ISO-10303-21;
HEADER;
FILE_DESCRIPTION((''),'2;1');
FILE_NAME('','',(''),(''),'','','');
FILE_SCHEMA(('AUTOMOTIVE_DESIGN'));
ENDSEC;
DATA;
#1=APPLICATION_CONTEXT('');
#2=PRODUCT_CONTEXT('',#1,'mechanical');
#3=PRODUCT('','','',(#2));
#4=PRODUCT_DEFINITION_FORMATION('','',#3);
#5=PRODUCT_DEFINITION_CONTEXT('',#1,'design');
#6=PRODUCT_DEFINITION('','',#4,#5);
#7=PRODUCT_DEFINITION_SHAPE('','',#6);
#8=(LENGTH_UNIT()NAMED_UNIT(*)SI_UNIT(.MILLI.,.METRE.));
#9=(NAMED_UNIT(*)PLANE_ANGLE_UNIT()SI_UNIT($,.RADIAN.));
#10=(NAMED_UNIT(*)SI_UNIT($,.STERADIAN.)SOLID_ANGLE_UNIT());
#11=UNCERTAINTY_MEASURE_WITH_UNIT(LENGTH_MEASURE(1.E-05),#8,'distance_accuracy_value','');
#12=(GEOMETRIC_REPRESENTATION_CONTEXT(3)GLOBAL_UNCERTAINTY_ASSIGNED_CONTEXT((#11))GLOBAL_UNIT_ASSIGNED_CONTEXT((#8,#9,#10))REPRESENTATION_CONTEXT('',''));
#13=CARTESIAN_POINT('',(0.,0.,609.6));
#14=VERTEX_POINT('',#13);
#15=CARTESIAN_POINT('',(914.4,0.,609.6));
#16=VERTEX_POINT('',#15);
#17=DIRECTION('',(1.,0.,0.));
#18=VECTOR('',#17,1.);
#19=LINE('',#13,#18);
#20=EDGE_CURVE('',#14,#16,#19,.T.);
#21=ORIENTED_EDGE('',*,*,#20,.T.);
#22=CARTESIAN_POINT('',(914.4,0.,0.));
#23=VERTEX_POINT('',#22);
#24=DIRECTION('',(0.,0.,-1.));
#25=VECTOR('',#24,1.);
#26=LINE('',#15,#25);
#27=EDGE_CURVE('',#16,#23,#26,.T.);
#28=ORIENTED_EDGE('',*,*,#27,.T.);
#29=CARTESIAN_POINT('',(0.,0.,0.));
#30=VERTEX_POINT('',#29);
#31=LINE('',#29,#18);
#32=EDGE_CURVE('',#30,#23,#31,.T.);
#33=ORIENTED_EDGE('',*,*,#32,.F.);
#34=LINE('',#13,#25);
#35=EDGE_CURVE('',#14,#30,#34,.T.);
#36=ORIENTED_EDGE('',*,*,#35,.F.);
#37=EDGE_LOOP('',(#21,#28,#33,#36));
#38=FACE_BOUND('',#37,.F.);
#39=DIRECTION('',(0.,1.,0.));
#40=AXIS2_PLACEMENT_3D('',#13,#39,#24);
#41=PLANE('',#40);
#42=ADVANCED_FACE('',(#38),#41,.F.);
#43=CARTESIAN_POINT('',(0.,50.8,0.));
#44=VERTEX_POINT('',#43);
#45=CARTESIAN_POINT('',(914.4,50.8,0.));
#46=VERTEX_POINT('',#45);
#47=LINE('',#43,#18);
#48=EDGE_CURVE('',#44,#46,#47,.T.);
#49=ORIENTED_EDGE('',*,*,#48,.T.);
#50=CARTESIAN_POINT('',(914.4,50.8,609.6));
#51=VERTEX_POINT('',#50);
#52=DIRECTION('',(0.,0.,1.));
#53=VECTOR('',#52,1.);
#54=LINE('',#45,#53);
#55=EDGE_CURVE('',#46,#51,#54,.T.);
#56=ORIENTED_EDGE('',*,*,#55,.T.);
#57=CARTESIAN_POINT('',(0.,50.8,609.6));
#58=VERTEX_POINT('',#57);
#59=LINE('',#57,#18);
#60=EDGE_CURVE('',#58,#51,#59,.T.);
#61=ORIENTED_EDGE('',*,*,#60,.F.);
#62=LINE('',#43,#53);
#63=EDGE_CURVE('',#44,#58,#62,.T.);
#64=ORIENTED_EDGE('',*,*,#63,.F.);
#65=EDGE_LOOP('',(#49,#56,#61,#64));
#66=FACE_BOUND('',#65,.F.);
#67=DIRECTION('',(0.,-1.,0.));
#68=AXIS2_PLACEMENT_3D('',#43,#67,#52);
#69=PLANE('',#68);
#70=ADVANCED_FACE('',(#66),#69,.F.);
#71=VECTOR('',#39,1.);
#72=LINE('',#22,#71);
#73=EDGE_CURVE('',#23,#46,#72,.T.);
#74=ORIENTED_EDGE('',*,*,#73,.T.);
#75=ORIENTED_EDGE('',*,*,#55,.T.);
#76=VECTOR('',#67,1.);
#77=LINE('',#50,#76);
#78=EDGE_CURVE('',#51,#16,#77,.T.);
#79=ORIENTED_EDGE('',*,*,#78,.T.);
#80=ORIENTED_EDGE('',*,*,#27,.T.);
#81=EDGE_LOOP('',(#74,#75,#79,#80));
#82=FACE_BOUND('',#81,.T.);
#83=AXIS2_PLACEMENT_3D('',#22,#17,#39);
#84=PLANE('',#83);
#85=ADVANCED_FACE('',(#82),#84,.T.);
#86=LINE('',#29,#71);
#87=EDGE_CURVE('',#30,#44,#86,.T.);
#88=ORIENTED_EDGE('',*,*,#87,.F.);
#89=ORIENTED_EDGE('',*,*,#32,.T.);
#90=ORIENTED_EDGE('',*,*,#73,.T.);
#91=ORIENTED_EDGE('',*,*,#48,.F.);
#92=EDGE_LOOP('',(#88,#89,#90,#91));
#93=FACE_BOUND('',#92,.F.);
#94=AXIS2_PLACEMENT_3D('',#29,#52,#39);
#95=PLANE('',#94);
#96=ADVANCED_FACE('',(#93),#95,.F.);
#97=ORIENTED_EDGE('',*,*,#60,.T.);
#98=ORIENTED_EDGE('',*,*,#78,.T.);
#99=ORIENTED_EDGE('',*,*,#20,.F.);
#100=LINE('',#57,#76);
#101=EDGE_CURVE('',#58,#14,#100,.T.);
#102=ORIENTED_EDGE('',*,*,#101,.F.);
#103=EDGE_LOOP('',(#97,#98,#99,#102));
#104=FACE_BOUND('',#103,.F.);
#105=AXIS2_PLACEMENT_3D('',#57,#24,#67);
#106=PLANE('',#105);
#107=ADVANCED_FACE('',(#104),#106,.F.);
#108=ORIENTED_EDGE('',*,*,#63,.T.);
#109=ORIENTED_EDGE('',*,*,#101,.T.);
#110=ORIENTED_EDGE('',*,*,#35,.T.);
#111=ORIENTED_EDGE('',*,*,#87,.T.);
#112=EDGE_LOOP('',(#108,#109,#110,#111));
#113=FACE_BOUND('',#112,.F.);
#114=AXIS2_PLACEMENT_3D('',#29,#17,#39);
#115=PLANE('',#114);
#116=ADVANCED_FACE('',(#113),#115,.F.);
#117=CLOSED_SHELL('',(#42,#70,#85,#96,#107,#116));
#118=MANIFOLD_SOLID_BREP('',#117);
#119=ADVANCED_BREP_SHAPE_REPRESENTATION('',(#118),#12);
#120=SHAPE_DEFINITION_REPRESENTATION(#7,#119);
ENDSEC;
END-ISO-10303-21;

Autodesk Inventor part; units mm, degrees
ref_plane "YZ Plane" through (0, 0, 0) normal (1, 0, 0) x (0, 1, 0)
ref_plane "XZ Plane" through (0, 0, 0) normal (0, 1, 0) x (-1, 0, 0)
ref_plane "XY Plane" through (0, 0, 0) normal (0, 0, 1) x (1, 0, 0)
sketch "Sketch1" plane through (0, 0, 0) normal (1, 0, 0) x (0, 1, 0)
  line L0 (0, 0) -> (50.8, 0)
  line L1 (50.8, 0) -> (50.8, 609.6)
  line L2 (50.8, 609.6) -> (0, 609.6)
  line L3 (0, 609.6) -> (0, 0)
  dimension "d0" = 50.8
  dimension "d1" = 609.6
extrude "Extrusion1" add sketch "Sketch1" along normal blind 914.4
properties part number "2x24x36-10" material "Granite, Cut, Polished"
